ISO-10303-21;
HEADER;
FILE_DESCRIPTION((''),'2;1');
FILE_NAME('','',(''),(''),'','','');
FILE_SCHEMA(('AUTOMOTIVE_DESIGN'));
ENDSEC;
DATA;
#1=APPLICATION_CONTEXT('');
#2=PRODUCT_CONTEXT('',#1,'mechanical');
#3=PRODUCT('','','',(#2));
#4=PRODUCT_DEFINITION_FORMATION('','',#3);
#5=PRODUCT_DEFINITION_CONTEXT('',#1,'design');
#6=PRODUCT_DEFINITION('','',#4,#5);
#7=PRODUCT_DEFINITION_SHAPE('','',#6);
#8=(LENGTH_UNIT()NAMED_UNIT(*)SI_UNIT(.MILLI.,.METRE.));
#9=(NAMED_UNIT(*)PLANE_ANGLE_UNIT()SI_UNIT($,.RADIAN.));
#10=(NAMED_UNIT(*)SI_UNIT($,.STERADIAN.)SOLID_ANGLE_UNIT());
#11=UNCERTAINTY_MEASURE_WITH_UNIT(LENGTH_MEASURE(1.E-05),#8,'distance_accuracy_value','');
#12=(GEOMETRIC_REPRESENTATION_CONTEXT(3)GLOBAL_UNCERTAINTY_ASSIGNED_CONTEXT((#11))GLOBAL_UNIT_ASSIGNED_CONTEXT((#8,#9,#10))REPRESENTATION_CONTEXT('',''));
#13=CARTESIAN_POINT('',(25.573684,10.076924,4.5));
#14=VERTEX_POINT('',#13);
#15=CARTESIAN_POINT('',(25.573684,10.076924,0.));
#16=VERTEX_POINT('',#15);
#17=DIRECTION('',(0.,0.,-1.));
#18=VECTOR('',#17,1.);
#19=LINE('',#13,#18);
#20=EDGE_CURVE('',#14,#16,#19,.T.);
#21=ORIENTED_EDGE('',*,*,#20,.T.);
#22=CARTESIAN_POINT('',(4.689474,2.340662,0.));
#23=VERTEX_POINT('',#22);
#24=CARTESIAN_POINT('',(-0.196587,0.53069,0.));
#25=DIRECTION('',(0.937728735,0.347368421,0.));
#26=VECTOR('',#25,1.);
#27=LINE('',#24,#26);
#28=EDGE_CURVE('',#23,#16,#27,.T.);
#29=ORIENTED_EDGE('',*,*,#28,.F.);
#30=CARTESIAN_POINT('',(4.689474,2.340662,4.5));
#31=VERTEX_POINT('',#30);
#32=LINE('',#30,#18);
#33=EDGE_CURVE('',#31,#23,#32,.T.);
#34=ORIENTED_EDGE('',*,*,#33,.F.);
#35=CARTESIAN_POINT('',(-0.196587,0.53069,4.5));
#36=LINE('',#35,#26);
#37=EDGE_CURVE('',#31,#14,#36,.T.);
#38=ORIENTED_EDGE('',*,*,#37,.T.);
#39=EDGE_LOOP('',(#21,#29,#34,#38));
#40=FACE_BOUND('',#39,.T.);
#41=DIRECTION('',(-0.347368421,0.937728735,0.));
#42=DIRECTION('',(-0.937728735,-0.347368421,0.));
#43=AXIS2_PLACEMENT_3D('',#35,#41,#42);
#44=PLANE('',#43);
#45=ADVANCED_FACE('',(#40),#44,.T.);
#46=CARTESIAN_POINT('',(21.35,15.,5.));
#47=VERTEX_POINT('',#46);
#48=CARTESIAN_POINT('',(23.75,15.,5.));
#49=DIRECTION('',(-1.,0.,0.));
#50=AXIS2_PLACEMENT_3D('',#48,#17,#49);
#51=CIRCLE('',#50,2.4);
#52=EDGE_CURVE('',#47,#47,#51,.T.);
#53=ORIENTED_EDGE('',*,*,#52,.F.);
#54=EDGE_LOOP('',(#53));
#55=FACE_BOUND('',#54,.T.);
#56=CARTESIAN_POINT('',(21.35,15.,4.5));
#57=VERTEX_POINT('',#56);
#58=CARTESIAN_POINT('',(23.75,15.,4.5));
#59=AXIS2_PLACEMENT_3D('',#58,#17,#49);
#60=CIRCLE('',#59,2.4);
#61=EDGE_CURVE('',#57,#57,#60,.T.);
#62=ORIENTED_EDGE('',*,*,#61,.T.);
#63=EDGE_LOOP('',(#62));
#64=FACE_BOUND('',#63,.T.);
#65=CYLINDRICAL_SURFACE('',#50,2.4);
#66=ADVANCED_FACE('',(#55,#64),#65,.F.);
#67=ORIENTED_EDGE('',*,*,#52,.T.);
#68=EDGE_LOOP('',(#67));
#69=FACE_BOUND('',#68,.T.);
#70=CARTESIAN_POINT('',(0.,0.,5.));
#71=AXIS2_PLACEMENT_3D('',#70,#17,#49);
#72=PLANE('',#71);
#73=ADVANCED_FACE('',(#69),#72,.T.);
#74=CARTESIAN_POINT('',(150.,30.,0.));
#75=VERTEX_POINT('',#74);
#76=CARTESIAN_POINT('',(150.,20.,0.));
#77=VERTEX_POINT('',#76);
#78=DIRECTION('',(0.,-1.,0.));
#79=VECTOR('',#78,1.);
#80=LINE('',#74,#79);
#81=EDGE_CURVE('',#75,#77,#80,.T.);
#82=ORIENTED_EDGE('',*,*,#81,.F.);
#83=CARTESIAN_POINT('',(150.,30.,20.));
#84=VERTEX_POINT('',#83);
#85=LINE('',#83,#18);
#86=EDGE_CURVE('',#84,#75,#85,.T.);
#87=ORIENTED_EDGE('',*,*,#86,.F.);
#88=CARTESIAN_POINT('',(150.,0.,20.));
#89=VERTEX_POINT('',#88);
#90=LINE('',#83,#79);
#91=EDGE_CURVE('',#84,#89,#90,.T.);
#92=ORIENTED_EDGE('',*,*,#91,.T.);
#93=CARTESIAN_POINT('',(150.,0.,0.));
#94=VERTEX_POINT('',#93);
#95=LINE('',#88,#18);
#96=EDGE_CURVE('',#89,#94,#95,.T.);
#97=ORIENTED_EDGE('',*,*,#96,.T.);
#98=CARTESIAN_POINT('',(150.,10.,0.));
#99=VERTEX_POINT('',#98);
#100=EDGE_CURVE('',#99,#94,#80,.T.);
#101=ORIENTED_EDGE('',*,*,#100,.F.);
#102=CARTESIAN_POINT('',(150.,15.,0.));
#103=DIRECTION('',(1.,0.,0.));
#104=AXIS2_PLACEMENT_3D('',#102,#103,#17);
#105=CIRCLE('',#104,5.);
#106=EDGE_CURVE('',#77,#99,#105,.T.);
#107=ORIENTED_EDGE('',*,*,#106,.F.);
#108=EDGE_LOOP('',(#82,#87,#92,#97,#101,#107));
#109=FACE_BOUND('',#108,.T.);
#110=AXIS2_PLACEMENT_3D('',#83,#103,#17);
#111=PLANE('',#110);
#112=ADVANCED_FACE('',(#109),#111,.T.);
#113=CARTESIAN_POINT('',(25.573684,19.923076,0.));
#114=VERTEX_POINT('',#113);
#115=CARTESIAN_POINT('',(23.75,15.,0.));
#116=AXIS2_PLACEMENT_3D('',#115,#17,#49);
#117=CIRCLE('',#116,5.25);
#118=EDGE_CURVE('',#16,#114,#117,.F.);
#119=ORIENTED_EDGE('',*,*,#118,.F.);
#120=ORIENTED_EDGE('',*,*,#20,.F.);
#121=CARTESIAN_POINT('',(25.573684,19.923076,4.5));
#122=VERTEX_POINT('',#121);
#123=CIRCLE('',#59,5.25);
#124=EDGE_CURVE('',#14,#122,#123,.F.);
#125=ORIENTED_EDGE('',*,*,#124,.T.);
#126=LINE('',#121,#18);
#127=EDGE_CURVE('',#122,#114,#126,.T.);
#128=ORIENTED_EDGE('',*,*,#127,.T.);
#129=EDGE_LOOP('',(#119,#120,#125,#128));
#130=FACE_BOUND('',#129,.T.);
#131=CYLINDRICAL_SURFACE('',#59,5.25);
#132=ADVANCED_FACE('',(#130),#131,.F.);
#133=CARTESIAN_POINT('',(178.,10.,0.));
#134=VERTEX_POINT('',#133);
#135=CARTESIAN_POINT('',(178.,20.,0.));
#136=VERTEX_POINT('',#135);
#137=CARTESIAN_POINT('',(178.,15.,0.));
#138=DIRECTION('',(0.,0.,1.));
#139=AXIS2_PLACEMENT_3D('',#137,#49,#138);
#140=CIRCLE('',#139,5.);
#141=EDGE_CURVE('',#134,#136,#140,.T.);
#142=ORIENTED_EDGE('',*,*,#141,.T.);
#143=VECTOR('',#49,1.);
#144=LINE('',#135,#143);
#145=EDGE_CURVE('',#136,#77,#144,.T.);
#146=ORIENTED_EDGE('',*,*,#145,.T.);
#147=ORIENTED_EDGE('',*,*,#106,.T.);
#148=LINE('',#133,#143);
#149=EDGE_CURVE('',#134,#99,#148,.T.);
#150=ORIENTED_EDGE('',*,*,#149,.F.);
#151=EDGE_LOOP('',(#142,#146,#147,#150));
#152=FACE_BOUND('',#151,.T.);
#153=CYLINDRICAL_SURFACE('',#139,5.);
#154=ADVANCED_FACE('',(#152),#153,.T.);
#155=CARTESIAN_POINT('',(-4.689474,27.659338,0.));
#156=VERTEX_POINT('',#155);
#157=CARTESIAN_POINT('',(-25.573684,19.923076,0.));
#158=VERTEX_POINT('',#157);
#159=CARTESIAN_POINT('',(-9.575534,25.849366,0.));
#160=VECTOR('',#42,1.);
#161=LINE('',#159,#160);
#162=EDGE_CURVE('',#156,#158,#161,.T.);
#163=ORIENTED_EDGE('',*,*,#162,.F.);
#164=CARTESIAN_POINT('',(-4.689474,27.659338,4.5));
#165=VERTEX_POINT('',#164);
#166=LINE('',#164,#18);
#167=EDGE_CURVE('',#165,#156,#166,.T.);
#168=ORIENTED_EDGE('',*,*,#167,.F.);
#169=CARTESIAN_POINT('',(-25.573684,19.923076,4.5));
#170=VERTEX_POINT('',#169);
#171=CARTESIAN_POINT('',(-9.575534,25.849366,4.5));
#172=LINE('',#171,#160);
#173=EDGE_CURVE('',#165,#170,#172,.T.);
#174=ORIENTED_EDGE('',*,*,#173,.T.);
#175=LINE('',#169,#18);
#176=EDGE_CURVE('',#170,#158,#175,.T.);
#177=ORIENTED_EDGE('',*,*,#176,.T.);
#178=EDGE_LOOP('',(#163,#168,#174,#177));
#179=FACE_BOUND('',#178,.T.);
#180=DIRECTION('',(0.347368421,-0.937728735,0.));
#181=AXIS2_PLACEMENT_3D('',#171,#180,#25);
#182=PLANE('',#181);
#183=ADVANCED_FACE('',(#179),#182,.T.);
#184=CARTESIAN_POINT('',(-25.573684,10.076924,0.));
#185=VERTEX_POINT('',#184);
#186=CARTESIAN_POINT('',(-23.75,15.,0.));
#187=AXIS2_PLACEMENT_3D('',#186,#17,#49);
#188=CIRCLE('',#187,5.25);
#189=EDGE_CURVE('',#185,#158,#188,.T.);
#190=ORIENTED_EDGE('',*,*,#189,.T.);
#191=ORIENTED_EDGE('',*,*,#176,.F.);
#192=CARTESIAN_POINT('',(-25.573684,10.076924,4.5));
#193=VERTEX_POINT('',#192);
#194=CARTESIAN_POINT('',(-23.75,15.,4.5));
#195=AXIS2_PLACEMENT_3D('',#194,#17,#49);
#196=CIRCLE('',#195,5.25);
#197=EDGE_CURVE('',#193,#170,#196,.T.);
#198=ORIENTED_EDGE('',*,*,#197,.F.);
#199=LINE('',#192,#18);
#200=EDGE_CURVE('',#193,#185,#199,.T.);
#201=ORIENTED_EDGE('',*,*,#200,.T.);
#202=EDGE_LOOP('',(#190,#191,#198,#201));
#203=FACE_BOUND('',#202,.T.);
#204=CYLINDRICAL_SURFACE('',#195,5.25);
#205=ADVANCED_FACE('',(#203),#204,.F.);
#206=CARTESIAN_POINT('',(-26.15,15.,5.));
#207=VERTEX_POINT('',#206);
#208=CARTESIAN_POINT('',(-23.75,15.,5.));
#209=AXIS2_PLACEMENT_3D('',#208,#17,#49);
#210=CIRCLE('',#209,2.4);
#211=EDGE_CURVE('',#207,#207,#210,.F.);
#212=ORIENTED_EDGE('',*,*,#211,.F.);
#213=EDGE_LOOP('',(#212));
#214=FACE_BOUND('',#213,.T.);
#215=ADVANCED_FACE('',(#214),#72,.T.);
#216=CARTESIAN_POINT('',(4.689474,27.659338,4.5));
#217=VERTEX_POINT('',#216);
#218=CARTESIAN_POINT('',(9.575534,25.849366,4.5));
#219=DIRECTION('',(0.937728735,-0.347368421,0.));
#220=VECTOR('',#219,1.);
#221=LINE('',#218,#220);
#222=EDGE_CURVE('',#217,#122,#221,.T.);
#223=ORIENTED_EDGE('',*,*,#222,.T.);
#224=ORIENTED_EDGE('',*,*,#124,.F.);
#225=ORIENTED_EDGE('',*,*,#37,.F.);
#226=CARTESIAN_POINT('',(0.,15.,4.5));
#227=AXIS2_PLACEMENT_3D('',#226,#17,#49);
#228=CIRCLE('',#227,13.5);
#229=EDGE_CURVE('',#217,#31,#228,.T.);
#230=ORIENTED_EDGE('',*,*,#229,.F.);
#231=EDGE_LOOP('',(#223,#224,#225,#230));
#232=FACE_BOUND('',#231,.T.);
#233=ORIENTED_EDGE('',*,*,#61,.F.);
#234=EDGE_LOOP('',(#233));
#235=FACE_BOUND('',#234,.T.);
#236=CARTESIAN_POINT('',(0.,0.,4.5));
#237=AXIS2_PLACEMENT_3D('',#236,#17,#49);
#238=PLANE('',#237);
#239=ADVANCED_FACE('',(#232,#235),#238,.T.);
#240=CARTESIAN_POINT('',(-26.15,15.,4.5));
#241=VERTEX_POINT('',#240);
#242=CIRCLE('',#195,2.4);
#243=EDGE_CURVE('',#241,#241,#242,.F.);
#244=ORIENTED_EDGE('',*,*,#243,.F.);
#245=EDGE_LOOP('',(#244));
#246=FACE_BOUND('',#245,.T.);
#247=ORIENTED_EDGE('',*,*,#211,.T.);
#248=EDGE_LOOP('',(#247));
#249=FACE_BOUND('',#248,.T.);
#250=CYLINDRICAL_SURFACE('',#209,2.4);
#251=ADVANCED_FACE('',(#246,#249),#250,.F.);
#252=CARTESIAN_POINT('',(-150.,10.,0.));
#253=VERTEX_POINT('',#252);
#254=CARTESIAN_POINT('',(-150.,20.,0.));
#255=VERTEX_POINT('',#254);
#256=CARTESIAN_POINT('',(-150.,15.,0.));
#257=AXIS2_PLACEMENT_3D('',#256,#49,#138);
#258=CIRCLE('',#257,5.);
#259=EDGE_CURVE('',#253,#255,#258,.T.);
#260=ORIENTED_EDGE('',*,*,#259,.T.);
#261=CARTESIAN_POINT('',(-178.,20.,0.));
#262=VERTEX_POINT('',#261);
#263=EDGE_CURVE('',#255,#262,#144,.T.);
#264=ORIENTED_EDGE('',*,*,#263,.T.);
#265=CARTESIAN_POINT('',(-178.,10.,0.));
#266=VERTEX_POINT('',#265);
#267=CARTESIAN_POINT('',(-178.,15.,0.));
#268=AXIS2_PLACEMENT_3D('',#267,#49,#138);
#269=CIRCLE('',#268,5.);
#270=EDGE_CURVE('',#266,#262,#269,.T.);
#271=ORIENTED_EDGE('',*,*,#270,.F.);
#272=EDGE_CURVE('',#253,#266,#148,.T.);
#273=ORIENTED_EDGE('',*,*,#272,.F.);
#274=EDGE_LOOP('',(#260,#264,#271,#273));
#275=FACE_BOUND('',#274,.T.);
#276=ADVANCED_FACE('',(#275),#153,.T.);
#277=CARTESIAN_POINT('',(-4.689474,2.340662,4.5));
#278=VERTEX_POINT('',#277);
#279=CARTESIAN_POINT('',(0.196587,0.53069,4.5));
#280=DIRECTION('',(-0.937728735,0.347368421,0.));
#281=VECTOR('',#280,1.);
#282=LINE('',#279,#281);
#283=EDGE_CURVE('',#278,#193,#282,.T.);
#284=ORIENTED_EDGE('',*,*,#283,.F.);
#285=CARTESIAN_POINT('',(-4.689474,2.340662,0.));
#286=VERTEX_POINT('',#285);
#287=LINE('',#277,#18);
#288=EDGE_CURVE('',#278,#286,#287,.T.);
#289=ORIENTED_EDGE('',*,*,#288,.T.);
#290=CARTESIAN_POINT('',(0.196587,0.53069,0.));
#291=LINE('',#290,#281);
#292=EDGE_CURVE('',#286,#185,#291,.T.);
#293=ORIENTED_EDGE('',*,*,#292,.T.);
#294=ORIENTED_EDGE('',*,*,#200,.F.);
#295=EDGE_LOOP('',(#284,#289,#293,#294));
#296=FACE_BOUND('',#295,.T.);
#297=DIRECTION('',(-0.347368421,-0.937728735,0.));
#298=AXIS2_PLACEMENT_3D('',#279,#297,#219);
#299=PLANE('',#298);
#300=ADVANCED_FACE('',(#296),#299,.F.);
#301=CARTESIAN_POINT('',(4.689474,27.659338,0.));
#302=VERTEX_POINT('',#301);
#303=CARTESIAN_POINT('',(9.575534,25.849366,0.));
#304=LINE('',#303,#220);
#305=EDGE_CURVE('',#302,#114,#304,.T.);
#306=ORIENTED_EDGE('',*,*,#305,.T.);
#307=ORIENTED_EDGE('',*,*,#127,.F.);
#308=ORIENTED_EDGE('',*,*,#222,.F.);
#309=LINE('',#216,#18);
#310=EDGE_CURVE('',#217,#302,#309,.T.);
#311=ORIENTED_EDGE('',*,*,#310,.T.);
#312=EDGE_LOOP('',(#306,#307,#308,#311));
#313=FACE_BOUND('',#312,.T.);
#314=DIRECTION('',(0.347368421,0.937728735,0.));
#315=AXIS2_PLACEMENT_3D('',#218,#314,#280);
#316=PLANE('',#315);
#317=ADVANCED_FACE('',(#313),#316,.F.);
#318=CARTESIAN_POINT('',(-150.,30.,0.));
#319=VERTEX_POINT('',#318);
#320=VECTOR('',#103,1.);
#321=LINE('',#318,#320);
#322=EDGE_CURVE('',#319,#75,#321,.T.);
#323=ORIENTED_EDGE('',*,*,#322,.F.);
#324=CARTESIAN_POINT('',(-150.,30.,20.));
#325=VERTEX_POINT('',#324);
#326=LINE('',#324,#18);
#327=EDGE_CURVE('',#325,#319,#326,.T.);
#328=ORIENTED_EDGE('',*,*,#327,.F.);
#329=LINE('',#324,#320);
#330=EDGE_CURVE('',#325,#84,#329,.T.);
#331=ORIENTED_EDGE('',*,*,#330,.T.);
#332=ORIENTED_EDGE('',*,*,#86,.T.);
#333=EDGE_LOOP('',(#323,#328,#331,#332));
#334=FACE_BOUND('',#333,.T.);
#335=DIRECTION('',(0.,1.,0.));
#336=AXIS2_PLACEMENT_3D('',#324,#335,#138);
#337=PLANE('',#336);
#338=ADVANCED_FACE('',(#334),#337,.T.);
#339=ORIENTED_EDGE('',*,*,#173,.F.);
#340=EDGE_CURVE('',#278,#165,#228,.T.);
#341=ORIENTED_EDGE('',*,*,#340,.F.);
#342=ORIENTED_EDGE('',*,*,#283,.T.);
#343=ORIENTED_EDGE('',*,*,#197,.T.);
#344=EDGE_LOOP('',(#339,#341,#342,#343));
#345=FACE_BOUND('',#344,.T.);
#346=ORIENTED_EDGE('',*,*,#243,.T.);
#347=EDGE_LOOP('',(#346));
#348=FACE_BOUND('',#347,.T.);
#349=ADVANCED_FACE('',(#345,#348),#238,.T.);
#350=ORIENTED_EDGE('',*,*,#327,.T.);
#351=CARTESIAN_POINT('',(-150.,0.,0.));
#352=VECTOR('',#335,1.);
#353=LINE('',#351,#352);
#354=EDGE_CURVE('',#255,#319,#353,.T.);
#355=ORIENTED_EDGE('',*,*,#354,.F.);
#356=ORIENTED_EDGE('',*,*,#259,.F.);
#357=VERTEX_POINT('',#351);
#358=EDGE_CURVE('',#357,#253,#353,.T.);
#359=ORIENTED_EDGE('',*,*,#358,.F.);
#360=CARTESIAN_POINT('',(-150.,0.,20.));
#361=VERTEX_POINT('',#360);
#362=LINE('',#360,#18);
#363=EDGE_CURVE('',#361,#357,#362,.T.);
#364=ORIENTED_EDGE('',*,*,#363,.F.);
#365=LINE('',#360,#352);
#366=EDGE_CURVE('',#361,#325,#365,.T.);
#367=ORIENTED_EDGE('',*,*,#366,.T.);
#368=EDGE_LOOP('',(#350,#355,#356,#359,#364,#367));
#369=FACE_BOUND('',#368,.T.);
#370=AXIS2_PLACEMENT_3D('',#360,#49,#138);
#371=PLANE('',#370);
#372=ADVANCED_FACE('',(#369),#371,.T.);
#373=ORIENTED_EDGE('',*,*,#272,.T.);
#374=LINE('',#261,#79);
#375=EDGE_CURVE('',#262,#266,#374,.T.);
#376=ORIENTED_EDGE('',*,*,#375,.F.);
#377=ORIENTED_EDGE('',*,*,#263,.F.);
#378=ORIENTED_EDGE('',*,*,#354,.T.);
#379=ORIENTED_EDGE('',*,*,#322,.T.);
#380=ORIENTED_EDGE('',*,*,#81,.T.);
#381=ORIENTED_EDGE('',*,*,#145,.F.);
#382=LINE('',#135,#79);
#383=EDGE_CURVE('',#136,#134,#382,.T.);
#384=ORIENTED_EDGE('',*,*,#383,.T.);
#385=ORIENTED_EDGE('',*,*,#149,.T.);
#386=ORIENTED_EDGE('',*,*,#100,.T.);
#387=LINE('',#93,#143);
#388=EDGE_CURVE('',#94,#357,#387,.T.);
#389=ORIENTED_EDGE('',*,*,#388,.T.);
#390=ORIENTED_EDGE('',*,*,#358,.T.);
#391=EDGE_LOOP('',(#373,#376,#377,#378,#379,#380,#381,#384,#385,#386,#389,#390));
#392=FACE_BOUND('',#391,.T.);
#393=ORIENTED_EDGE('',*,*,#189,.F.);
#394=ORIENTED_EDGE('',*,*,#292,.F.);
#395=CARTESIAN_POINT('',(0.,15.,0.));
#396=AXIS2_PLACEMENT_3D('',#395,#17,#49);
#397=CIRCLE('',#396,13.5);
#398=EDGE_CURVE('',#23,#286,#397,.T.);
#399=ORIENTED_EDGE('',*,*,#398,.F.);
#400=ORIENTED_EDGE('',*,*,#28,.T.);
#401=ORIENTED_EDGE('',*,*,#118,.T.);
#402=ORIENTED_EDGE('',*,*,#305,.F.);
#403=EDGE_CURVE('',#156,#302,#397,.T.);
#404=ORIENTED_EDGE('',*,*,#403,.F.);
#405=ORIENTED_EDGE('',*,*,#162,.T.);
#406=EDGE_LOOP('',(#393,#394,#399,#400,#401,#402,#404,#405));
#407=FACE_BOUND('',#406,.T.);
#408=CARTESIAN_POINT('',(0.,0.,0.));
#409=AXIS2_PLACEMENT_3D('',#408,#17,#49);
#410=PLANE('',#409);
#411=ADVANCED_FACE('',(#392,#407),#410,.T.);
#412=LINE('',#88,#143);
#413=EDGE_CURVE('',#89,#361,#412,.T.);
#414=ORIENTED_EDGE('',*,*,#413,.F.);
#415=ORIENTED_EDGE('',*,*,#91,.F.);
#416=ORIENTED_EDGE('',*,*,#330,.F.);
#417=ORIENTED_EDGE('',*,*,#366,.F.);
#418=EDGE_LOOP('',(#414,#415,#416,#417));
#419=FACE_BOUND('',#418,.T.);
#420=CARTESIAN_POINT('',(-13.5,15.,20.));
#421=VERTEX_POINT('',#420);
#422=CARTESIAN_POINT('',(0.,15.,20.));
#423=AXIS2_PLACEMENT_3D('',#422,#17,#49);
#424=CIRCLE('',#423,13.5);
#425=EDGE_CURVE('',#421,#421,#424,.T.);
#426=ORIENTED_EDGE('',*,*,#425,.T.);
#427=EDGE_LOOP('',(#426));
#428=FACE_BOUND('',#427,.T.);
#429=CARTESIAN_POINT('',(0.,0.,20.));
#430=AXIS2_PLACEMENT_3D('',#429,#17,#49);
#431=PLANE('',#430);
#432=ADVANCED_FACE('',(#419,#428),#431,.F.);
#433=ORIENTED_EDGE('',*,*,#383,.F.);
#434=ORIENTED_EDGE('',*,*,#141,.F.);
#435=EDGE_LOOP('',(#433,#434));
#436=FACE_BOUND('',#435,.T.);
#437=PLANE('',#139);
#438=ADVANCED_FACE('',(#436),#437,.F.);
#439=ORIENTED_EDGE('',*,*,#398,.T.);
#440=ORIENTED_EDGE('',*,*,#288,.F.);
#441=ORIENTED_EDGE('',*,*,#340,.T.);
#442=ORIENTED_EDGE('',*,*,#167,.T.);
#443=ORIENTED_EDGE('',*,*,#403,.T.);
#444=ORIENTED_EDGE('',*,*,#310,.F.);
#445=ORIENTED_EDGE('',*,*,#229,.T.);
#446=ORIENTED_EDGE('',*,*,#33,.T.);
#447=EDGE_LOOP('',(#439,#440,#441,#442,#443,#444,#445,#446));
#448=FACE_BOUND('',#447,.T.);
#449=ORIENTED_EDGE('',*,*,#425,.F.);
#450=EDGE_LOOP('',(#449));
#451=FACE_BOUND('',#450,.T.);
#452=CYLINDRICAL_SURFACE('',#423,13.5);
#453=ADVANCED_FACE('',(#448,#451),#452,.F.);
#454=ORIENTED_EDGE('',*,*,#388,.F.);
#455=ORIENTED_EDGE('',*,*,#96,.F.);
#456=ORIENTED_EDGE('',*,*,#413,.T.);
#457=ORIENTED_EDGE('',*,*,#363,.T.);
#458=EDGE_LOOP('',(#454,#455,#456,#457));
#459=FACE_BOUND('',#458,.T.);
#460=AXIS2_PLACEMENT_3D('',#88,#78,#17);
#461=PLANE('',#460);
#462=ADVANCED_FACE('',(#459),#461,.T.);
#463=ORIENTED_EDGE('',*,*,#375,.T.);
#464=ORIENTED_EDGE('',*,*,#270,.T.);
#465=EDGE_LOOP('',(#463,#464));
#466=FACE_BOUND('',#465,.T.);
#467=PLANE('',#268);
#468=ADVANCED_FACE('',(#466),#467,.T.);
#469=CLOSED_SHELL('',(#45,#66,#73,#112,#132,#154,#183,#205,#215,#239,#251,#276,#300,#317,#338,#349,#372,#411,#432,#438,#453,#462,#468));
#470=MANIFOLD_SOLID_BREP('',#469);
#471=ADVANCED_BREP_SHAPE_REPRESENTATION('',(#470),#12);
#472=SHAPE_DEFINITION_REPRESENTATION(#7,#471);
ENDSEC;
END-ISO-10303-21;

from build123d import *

# Parameters (mm, degrees)
SKETCH_1_W           = 300
SKETCH_1_H           = 30
EXTRUDE_1_DEPTH      = 20
EXTRUDE_2_DEPTH      = 28
EXTRUDE_2_DEPTH_BACK = 328
SKETCH_3_R           = 13.5
CUT_EXTRUDE_2_DEPTH  = 182.614977356
SKETCH_3_4_R         = 2.4
CUT_EXTRUDE_3_DEPTH  = 4.5
SKETCH_3_5_R         = 2.4
CUT_EXTRUDE_4_DEPTH  = 5


with BuildPart() as part:
    # 草图1 → 凸台-拉伸1 (new body)
    with BuildSketch(Plane.XY):
        with Locations((0, 15)):
            Rectangle(SKETCH_1_W, SKETCH_1_H)
    extrude(amount=EXTRUDE_1_DEPTH)

    # 草图2 → 凸台-拉伸2 (add, two sides: drawn at the far end of the back side and taken through both)
    with BuildSketch(Plane.ZY.offset(150).offset(-EXTRUDE_2_DEPTH_BACK)):
        with BuildLine():
            Line((0, 20), (0, 10))
            ThreePointArc((0, 10), (5, 15), (0, 20))
        make_face()
    extrude(amount=EXTRUDE_2_DEPTH + EXTRUDE_2_DEPTH_BACK)

    # 草图3 → 切除-拉伸2 (cut, through all)
    with BuildSketch(Plane(origin=(0, 0, 0), x_dir=(-1, 0, 0), z_dir=(0, 0, -1))):
        with Locations((0, 15)):
            Circle(SKETCH_3_R)
    extrude(amount=-CUT_EXTRUDE_2_DEPTH, mode=Mode.SUBTRACT)

    # 草图3<4> → 切除-拉伸3 (cut)
    # profile 1 of 2: a face of its own
    with BuildSketch(Plane(origin=(0, 0, 0), x_dir=(-1, 0, 0), z_dir=(0, 0, -1))):
        with BuildLine():
            Line((25.573684211, 19.923075858), (4.689473684, 27.65933792))
            ThreePointArc((4.689473684, 27.65933792), (13.5, 15), (4.689473684, 2.34066208))
            Line((4.689473684, 2.34066208), (25.573684211, 10.076924142))
            ThreePointArc((25.573684211, 10.076924142), (29, 15), (25.573684211, 19.923075858))
        make_face()
        with Locations((23.75, 15)):
            Circle(SKETCH_3_4_R, mode=Mode.SUBTRACT)
    # profile 2 of 2: a face of its own
    with BuildSketch(Plane(origin=(0, 0, 0), x_dir=(-1, 0, 0), z_dir=(0, 0, -1))):
        with BuildLine():
            ThreePointArc((-4.689473684, 2.34066208), (-13.5, 15), (-4.689473684, 27.65933792))
            Line((-4.689473684, 27.65933792), (-25.573684211, 19.923075858))
            ThreePointArc((-25.573684211, 19.923075858), (-29, 15), (-25.573684211, 10.076924142))
            Line((-25.573684211, 10.076924142), (-4.689473684, 2.34066208))
        make_face()
        with Locations((-23.75, 15)):
            Circle(SKETCH_3_4_R, mode=Mode.SUBTRACT)
    extrude(amount=-CUT_EXTRUDE_3_DEPTH, mode=Mode.SUBTRACT)

    # 草图3<5> → 切除-拉伸4 (cut)
    with BuildSketch(Plane(origin=(0, 0, 0), x_dir=(-1, 0, 0), z_dir=(0, 0, -1))):
        with Locations((-23.75, 15)):
            Circle(SKETCH_3_5_R)
        with Locations((23.75, 15)):
            Circle(SKETCH_3_5_R)
    extrude(amount=-CUT_EXTRUDE_4_DEPTH, mode=Mode.SUBTRACT)


solid = part.part
